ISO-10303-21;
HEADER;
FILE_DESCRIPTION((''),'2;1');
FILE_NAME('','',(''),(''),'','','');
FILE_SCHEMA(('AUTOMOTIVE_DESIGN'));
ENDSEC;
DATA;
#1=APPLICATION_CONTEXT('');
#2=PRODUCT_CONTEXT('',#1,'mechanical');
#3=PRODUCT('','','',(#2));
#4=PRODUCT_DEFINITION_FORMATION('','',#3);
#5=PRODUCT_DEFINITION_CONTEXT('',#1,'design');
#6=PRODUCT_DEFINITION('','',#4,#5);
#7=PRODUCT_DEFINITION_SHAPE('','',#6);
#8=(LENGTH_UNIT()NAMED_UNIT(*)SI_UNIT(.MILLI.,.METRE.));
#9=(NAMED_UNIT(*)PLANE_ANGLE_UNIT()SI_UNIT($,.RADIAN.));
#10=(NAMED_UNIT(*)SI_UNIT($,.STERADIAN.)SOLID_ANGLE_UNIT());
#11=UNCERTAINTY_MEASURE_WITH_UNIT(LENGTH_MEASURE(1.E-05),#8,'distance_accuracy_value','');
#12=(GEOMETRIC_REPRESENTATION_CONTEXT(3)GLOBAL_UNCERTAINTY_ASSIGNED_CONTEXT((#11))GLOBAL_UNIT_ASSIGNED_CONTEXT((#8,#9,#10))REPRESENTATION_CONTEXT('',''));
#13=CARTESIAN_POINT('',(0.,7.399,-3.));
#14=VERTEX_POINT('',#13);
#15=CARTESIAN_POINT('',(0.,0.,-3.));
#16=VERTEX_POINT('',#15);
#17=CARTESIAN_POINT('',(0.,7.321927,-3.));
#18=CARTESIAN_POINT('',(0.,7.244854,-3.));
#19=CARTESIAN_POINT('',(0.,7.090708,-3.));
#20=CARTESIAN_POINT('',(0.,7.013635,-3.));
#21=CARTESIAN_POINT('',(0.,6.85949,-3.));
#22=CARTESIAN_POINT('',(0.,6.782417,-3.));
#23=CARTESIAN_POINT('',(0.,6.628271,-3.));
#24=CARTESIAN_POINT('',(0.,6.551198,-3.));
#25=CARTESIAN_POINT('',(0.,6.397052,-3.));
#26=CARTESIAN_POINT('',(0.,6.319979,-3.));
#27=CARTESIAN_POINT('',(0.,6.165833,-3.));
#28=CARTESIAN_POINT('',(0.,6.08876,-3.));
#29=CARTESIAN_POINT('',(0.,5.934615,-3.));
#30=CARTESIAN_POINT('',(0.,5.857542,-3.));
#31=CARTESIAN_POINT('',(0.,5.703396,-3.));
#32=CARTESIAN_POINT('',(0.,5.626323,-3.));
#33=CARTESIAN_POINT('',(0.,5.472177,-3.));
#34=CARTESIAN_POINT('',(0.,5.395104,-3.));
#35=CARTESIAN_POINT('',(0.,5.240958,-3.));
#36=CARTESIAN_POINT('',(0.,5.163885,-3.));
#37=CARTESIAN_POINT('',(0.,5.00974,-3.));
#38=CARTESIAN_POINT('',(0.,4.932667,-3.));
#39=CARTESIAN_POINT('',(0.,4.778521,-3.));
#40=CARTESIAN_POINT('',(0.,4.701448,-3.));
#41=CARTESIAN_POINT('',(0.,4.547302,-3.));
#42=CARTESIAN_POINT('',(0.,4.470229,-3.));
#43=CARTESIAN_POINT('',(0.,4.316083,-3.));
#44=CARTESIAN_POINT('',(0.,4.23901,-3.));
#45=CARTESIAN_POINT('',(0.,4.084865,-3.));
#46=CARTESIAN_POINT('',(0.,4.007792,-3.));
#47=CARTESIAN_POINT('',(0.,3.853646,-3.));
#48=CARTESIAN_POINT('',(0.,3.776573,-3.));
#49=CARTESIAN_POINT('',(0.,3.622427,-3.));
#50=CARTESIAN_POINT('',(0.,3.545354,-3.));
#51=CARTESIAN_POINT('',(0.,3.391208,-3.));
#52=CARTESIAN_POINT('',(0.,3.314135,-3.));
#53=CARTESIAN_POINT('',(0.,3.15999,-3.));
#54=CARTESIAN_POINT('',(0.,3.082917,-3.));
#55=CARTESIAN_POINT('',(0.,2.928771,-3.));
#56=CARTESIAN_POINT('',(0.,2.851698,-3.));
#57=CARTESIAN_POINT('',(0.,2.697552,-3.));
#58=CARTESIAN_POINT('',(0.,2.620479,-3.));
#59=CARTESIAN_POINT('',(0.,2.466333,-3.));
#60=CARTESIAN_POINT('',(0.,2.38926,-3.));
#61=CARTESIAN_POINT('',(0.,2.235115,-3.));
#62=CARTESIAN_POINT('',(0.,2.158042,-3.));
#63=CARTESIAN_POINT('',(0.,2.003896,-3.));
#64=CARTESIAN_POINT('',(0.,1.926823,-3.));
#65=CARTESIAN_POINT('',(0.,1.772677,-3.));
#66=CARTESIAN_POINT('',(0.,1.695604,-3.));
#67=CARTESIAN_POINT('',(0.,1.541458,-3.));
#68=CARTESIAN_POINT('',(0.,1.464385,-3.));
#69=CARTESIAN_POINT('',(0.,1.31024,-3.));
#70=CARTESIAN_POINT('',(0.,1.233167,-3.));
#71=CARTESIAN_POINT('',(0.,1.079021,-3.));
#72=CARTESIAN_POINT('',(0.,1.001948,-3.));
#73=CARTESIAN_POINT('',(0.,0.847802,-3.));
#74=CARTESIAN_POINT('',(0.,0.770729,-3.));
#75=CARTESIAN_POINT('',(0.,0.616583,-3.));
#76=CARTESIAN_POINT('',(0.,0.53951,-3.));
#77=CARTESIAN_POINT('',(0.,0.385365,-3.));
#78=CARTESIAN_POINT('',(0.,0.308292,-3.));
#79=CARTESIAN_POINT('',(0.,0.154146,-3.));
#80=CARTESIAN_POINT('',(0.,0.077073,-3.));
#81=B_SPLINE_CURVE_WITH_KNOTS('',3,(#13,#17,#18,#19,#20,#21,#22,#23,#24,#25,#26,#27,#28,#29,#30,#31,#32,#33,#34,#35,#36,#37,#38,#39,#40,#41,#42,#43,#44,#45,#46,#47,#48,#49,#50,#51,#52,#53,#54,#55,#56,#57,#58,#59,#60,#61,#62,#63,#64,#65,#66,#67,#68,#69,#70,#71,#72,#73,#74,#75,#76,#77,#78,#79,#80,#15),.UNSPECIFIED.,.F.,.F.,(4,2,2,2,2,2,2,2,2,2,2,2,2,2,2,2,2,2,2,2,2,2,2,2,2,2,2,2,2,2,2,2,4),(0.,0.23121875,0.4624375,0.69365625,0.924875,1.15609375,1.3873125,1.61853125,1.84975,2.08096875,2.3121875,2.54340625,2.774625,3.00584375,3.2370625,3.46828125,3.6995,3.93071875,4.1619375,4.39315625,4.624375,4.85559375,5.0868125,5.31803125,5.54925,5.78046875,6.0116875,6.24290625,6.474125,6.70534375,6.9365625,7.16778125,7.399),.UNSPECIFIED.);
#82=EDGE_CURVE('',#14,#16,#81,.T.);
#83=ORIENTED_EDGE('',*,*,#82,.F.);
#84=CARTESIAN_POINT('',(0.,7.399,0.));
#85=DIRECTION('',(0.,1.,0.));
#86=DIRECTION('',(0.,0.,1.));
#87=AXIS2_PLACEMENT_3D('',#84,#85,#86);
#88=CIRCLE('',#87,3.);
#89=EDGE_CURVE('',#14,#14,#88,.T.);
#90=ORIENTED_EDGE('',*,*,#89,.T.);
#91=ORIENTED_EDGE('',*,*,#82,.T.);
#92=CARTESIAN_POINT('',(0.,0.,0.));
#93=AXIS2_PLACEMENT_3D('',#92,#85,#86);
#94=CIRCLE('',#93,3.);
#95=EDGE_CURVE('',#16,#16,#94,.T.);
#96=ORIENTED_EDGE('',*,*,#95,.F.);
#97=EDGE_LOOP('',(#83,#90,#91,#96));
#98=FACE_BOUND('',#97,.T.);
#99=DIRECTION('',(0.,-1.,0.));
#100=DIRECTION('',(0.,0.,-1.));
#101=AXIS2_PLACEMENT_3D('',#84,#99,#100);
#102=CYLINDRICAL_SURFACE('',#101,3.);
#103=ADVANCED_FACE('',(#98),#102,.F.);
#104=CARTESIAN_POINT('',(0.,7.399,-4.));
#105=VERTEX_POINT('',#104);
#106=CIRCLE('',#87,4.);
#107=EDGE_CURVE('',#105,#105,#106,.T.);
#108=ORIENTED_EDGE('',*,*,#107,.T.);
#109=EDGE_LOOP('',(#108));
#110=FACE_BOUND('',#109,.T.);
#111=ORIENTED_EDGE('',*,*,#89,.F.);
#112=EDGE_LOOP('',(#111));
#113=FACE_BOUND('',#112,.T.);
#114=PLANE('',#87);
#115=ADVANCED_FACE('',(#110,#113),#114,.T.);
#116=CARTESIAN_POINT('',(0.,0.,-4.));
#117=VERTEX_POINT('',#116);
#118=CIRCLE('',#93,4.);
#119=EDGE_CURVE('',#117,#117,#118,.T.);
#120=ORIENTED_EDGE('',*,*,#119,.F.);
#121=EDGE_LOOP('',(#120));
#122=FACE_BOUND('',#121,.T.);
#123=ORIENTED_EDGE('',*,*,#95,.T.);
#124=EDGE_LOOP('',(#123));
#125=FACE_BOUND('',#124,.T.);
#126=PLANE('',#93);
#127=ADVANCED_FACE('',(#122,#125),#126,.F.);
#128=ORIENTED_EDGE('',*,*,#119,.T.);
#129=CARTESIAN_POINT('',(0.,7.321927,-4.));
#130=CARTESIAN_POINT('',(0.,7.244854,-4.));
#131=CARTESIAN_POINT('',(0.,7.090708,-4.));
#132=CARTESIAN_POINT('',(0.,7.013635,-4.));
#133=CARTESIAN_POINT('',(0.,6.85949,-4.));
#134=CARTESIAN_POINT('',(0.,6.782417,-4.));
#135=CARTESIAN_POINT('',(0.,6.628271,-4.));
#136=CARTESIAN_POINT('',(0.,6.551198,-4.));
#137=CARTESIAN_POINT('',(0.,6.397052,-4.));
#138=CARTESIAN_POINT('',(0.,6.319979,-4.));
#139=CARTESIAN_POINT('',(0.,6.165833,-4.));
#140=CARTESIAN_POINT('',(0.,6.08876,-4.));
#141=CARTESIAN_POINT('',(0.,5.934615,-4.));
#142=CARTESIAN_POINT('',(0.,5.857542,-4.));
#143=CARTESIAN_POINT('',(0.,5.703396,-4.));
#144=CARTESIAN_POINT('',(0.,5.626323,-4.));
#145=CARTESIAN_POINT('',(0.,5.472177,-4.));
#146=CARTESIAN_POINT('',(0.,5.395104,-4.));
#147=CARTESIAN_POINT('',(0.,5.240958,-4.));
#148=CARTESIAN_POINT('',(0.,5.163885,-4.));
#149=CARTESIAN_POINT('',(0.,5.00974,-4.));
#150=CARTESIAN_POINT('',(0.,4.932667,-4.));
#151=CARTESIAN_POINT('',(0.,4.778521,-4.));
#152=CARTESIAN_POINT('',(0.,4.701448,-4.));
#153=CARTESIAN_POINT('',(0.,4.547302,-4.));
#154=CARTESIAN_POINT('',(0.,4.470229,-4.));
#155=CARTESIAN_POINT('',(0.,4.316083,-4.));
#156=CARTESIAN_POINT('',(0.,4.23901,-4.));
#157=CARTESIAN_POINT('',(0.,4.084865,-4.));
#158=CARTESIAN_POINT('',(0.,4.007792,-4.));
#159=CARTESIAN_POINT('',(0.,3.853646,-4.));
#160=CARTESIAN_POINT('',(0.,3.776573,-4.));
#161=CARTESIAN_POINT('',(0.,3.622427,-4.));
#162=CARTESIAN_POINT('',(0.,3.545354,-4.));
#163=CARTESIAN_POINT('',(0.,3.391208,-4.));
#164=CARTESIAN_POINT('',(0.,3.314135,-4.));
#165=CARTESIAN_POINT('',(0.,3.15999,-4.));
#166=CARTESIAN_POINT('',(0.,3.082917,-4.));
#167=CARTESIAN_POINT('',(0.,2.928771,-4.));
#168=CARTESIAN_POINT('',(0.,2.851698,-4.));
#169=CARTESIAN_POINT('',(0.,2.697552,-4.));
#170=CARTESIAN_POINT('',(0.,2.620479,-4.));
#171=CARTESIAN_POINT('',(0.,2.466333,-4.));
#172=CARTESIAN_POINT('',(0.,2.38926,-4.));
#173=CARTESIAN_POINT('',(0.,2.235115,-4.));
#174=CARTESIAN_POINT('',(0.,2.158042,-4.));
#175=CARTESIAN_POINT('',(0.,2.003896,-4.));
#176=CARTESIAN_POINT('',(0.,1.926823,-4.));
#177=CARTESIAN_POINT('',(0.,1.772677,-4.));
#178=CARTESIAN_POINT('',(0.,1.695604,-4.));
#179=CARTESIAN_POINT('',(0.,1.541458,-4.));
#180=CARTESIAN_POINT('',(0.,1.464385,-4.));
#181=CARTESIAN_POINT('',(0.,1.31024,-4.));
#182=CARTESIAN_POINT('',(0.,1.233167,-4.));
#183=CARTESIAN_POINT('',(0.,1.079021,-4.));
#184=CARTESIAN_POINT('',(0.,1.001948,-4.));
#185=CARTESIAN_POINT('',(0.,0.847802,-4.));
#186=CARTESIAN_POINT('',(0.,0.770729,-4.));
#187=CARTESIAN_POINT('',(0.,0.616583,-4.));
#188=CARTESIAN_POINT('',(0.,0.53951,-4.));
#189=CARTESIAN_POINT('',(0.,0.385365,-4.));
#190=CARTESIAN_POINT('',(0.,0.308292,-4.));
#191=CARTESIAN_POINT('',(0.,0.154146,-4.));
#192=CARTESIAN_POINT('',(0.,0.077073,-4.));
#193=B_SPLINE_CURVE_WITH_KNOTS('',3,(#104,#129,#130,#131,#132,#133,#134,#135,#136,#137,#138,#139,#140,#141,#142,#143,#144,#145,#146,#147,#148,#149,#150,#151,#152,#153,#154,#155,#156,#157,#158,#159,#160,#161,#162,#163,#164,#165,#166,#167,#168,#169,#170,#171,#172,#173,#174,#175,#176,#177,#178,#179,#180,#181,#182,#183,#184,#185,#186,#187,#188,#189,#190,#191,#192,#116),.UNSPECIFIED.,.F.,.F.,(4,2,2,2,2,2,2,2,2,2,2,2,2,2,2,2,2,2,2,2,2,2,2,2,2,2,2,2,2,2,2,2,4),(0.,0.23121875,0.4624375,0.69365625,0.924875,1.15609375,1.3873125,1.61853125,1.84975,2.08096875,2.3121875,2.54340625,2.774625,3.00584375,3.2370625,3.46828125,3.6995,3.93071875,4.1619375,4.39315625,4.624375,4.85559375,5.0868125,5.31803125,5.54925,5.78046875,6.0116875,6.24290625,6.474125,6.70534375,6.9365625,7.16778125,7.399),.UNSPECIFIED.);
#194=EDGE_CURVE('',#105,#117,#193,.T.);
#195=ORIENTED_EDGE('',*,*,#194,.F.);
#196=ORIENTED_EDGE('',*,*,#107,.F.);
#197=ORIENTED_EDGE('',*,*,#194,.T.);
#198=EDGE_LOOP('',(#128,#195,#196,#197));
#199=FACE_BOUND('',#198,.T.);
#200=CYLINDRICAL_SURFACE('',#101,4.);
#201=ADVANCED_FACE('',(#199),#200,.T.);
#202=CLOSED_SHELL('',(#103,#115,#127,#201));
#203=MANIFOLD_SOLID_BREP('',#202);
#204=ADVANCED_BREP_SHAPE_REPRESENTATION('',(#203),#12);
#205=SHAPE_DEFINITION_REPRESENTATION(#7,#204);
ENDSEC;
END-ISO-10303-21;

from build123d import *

# Parameters (mm, degrees)
SKETCH1_R           = 4
SKETCH1_R_2         = 3
BOSS_EXTRUDE1_DEPTH = 7.399


with BuildPart() as part:
    # Sketch1 → Boss-Extrude1 (new body)
    with BuildSketch(Plane(origin=(0, 0, 0), x_dir=(1, 0, 0), z_dir=(0, 1, 0))):
        with Locations(Location((0, 0, 0), (0, 0, 90))):
            Circle(SKETCH1_R)
        with Locations(Location((0, 0, 0), (0, 0, 90))):
            Circle(SKETCH1_R_2, mode=Mode.SUBTRACT)
    extrude(amount=BOSS_EXTRUDE1_DEPTH)


solid = part.part
